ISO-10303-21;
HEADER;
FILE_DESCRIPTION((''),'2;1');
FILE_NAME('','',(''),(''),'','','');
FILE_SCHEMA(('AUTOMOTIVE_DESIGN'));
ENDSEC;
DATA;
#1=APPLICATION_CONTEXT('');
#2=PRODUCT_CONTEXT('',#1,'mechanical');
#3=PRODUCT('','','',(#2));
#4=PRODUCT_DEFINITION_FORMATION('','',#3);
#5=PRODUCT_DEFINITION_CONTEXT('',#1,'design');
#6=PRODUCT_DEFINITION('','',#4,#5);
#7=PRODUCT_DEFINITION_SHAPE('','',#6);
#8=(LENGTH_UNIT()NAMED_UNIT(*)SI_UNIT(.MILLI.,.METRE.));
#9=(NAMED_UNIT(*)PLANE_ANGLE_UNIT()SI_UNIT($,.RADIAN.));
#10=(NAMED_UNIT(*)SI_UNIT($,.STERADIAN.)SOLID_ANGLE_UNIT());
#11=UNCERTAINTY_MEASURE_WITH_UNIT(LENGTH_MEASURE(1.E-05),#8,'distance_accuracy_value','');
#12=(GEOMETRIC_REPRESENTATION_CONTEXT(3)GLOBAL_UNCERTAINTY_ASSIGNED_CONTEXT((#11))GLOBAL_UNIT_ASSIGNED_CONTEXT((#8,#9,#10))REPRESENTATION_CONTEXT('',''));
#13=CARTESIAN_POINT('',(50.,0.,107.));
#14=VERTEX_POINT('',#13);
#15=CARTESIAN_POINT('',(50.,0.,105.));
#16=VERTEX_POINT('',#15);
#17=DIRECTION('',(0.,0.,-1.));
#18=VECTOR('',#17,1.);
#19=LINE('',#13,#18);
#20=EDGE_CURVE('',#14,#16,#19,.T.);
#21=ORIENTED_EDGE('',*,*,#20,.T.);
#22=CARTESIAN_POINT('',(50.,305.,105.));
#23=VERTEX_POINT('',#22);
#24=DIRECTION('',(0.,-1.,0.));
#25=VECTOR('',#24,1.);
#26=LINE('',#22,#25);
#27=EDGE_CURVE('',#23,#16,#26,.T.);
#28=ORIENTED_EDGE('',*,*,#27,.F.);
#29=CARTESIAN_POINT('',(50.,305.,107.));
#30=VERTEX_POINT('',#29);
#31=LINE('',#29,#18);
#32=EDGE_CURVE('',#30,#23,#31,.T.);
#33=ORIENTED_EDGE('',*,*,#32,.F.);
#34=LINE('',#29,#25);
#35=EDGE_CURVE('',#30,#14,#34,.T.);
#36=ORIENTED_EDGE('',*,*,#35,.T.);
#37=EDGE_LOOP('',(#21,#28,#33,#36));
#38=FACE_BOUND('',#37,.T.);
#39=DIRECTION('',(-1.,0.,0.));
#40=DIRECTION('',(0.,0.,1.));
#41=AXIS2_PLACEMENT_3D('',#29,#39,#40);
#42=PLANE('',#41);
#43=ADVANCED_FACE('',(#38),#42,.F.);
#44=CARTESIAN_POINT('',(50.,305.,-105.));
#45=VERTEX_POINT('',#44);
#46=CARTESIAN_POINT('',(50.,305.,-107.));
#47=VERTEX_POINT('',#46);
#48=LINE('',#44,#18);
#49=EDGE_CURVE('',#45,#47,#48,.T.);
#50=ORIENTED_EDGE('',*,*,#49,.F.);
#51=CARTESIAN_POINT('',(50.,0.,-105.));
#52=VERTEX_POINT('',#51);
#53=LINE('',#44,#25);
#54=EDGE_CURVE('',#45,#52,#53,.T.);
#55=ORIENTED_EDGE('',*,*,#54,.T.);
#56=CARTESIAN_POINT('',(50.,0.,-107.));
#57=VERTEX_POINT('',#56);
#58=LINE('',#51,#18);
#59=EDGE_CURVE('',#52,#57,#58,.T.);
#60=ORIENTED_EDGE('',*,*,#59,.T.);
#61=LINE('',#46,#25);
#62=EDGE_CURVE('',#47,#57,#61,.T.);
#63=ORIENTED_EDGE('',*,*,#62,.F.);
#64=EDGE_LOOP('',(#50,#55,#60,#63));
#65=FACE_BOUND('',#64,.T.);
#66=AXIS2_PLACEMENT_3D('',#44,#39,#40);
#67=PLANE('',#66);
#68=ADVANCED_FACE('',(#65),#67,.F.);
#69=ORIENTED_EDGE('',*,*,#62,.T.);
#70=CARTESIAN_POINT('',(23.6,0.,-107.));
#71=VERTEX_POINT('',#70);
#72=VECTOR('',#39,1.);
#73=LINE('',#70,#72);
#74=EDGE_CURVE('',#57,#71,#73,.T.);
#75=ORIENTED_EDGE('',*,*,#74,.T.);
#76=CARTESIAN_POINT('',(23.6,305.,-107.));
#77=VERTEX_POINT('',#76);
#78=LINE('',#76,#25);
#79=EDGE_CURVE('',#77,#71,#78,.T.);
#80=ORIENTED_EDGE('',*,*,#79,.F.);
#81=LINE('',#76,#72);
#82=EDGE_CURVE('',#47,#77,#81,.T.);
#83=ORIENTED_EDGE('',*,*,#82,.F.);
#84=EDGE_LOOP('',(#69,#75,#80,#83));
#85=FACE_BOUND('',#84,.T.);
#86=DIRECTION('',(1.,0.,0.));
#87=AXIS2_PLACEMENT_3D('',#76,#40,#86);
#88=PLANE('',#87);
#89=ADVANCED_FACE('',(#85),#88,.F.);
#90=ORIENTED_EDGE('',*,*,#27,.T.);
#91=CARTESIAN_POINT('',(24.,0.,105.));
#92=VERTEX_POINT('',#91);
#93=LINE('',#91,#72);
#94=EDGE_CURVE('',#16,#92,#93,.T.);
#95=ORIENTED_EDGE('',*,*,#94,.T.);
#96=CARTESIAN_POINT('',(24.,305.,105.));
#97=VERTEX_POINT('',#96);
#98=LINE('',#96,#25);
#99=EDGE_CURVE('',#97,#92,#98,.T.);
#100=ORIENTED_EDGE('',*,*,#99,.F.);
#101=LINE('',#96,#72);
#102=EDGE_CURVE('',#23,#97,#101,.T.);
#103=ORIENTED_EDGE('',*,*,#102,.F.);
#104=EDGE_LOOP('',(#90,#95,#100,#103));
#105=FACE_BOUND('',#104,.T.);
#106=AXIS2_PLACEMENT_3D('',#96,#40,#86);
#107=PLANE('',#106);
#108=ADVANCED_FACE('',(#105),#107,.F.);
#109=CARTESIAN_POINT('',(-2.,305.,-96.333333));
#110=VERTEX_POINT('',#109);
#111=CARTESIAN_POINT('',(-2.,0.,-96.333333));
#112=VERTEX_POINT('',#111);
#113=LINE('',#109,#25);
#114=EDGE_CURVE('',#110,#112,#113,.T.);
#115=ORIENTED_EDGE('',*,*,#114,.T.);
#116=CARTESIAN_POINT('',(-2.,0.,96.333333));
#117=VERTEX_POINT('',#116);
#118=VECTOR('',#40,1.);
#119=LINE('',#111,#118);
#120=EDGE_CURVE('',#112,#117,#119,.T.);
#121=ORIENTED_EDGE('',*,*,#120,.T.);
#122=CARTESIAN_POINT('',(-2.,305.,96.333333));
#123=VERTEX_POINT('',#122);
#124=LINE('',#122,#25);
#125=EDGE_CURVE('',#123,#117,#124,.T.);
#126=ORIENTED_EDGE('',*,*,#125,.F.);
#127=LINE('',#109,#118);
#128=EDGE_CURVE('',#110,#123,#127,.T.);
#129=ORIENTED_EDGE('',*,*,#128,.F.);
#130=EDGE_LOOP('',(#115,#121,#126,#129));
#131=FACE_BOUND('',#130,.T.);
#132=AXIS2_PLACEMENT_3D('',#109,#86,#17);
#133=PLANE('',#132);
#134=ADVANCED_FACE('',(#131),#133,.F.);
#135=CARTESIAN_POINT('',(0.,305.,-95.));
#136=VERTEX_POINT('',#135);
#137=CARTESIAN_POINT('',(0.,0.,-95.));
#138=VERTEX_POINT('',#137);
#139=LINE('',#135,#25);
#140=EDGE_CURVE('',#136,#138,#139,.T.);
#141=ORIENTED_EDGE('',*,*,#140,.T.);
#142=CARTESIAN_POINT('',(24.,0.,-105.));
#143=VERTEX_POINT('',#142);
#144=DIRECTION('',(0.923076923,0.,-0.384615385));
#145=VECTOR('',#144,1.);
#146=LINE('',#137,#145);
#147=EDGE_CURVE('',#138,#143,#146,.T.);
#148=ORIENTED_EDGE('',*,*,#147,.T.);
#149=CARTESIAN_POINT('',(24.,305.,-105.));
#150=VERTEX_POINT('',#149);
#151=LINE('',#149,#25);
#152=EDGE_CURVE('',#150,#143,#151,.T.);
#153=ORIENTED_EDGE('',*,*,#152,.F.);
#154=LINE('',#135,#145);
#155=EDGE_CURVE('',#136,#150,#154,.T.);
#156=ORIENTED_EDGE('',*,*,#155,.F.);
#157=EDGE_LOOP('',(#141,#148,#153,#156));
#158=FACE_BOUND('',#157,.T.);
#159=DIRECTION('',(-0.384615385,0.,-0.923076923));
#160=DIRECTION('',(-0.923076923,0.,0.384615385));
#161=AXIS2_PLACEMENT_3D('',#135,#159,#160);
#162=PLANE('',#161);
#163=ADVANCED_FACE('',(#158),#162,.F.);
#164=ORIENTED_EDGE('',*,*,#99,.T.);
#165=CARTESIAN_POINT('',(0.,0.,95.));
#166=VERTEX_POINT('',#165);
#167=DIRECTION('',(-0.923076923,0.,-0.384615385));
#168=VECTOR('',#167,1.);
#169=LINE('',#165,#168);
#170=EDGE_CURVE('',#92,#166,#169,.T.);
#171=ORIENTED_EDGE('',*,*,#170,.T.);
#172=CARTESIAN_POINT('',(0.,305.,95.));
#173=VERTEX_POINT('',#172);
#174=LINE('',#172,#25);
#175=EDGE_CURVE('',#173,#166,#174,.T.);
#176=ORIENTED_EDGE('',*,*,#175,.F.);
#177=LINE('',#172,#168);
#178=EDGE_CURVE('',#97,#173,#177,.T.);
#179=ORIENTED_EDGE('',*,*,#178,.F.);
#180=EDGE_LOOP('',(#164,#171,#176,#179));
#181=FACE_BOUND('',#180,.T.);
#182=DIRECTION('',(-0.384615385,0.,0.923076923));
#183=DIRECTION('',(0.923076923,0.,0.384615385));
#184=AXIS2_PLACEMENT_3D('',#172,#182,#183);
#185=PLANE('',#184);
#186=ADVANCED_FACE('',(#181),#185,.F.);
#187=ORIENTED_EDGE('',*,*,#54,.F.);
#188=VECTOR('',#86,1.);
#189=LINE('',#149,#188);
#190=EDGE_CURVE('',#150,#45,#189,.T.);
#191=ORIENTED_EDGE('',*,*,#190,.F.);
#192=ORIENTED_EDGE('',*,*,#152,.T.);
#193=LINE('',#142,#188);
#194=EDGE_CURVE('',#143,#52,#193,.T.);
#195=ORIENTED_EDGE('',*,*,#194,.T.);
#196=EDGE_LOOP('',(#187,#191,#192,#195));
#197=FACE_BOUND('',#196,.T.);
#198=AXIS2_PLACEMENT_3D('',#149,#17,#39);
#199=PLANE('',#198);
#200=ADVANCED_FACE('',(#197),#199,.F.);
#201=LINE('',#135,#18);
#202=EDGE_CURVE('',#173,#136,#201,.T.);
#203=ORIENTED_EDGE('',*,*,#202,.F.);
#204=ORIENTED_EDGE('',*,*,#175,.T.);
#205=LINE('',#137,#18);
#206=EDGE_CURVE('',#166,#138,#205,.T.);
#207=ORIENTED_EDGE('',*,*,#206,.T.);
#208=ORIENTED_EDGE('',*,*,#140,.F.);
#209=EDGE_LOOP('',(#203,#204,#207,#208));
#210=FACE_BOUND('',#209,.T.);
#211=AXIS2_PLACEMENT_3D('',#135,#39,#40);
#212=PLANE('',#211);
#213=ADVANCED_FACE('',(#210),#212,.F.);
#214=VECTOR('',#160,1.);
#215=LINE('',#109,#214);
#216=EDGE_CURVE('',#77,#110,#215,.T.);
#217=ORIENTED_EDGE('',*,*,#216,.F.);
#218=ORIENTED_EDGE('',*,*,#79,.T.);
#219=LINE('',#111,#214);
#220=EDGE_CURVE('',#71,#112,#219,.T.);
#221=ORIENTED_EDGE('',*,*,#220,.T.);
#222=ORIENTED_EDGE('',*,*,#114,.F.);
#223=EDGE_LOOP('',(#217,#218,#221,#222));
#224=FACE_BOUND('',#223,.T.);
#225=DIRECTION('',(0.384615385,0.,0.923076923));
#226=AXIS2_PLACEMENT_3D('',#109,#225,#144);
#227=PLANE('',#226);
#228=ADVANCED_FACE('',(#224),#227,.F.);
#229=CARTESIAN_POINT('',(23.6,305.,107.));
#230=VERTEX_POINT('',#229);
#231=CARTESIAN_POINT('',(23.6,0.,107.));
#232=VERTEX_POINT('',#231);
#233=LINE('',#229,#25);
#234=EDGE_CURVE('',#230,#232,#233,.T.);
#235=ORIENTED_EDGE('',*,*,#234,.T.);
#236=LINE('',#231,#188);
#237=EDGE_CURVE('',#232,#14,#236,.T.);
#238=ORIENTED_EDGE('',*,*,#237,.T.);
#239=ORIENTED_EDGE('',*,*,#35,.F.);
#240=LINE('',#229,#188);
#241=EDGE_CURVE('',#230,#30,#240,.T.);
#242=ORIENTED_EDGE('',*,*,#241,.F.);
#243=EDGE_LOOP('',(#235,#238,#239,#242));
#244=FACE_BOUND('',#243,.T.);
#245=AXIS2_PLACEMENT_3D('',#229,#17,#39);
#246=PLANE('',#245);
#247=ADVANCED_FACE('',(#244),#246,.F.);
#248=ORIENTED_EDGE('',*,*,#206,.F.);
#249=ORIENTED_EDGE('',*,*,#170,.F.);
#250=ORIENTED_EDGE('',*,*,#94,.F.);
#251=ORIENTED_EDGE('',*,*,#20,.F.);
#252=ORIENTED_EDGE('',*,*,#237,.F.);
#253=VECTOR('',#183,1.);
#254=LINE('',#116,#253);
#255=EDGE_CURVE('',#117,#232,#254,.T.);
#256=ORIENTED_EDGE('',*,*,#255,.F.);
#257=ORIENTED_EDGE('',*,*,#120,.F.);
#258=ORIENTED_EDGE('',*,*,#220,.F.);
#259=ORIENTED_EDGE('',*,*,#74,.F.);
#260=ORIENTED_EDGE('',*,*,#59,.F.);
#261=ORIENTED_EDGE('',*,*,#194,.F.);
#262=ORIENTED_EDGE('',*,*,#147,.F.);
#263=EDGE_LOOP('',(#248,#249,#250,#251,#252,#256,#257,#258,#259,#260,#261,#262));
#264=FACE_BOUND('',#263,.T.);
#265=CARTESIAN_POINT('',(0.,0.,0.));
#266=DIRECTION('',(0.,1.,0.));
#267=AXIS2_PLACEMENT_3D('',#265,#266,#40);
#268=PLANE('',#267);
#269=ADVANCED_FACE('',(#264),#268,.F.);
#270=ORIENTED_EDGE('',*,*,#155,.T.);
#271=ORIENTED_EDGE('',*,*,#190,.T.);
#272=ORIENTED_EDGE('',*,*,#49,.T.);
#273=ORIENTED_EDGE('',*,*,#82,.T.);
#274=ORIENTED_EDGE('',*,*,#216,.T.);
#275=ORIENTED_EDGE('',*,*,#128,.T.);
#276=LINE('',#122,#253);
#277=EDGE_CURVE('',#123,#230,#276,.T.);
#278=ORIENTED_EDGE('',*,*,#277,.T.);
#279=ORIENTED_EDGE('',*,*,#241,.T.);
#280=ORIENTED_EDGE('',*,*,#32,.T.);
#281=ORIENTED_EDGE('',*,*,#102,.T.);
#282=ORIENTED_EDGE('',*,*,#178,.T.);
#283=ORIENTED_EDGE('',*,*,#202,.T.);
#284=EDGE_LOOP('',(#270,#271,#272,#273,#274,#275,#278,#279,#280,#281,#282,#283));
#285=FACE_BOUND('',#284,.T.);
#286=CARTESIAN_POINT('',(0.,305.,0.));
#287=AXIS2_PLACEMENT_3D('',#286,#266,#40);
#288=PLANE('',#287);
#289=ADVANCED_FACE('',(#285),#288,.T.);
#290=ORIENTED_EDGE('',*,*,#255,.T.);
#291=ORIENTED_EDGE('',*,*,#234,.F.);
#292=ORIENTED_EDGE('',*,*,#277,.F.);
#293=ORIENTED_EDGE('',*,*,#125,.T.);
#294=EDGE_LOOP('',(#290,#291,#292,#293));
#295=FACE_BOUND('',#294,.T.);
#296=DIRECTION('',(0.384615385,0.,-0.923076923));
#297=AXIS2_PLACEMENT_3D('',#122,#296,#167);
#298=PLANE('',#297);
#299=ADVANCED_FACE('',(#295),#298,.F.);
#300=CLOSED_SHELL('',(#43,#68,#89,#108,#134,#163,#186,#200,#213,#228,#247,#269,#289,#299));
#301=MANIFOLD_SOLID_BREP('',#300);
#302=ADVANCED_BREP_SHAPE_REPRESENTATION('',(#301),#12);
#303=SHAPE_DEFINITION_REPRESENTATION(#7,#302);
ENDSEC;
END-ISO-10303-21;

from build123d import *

# Parameters (mm, degrees)
BOSS_EXTRU_1_DEPTH = 305


with BuildPart() as part:
    # Esquisse1 → Boss.-Extru.1 (new body)
    with BuildSketch(Plane(origin=(0, 0, 0), x_dir=(1, 0, 0), z_dir=(0, 1, 0))):
        Polygon((0, 95), (0, -95), (24, -105), (50, -105), (50, -107), (23.6, -107), (-2, -96.333333333), (-2, 96.333333333), (23.6, 107), (50, 107), (50, 105), (24, 105), align=None)
    extrude(amount=BOSS_EXTRU_1_DEPTH)


solid = part.part
